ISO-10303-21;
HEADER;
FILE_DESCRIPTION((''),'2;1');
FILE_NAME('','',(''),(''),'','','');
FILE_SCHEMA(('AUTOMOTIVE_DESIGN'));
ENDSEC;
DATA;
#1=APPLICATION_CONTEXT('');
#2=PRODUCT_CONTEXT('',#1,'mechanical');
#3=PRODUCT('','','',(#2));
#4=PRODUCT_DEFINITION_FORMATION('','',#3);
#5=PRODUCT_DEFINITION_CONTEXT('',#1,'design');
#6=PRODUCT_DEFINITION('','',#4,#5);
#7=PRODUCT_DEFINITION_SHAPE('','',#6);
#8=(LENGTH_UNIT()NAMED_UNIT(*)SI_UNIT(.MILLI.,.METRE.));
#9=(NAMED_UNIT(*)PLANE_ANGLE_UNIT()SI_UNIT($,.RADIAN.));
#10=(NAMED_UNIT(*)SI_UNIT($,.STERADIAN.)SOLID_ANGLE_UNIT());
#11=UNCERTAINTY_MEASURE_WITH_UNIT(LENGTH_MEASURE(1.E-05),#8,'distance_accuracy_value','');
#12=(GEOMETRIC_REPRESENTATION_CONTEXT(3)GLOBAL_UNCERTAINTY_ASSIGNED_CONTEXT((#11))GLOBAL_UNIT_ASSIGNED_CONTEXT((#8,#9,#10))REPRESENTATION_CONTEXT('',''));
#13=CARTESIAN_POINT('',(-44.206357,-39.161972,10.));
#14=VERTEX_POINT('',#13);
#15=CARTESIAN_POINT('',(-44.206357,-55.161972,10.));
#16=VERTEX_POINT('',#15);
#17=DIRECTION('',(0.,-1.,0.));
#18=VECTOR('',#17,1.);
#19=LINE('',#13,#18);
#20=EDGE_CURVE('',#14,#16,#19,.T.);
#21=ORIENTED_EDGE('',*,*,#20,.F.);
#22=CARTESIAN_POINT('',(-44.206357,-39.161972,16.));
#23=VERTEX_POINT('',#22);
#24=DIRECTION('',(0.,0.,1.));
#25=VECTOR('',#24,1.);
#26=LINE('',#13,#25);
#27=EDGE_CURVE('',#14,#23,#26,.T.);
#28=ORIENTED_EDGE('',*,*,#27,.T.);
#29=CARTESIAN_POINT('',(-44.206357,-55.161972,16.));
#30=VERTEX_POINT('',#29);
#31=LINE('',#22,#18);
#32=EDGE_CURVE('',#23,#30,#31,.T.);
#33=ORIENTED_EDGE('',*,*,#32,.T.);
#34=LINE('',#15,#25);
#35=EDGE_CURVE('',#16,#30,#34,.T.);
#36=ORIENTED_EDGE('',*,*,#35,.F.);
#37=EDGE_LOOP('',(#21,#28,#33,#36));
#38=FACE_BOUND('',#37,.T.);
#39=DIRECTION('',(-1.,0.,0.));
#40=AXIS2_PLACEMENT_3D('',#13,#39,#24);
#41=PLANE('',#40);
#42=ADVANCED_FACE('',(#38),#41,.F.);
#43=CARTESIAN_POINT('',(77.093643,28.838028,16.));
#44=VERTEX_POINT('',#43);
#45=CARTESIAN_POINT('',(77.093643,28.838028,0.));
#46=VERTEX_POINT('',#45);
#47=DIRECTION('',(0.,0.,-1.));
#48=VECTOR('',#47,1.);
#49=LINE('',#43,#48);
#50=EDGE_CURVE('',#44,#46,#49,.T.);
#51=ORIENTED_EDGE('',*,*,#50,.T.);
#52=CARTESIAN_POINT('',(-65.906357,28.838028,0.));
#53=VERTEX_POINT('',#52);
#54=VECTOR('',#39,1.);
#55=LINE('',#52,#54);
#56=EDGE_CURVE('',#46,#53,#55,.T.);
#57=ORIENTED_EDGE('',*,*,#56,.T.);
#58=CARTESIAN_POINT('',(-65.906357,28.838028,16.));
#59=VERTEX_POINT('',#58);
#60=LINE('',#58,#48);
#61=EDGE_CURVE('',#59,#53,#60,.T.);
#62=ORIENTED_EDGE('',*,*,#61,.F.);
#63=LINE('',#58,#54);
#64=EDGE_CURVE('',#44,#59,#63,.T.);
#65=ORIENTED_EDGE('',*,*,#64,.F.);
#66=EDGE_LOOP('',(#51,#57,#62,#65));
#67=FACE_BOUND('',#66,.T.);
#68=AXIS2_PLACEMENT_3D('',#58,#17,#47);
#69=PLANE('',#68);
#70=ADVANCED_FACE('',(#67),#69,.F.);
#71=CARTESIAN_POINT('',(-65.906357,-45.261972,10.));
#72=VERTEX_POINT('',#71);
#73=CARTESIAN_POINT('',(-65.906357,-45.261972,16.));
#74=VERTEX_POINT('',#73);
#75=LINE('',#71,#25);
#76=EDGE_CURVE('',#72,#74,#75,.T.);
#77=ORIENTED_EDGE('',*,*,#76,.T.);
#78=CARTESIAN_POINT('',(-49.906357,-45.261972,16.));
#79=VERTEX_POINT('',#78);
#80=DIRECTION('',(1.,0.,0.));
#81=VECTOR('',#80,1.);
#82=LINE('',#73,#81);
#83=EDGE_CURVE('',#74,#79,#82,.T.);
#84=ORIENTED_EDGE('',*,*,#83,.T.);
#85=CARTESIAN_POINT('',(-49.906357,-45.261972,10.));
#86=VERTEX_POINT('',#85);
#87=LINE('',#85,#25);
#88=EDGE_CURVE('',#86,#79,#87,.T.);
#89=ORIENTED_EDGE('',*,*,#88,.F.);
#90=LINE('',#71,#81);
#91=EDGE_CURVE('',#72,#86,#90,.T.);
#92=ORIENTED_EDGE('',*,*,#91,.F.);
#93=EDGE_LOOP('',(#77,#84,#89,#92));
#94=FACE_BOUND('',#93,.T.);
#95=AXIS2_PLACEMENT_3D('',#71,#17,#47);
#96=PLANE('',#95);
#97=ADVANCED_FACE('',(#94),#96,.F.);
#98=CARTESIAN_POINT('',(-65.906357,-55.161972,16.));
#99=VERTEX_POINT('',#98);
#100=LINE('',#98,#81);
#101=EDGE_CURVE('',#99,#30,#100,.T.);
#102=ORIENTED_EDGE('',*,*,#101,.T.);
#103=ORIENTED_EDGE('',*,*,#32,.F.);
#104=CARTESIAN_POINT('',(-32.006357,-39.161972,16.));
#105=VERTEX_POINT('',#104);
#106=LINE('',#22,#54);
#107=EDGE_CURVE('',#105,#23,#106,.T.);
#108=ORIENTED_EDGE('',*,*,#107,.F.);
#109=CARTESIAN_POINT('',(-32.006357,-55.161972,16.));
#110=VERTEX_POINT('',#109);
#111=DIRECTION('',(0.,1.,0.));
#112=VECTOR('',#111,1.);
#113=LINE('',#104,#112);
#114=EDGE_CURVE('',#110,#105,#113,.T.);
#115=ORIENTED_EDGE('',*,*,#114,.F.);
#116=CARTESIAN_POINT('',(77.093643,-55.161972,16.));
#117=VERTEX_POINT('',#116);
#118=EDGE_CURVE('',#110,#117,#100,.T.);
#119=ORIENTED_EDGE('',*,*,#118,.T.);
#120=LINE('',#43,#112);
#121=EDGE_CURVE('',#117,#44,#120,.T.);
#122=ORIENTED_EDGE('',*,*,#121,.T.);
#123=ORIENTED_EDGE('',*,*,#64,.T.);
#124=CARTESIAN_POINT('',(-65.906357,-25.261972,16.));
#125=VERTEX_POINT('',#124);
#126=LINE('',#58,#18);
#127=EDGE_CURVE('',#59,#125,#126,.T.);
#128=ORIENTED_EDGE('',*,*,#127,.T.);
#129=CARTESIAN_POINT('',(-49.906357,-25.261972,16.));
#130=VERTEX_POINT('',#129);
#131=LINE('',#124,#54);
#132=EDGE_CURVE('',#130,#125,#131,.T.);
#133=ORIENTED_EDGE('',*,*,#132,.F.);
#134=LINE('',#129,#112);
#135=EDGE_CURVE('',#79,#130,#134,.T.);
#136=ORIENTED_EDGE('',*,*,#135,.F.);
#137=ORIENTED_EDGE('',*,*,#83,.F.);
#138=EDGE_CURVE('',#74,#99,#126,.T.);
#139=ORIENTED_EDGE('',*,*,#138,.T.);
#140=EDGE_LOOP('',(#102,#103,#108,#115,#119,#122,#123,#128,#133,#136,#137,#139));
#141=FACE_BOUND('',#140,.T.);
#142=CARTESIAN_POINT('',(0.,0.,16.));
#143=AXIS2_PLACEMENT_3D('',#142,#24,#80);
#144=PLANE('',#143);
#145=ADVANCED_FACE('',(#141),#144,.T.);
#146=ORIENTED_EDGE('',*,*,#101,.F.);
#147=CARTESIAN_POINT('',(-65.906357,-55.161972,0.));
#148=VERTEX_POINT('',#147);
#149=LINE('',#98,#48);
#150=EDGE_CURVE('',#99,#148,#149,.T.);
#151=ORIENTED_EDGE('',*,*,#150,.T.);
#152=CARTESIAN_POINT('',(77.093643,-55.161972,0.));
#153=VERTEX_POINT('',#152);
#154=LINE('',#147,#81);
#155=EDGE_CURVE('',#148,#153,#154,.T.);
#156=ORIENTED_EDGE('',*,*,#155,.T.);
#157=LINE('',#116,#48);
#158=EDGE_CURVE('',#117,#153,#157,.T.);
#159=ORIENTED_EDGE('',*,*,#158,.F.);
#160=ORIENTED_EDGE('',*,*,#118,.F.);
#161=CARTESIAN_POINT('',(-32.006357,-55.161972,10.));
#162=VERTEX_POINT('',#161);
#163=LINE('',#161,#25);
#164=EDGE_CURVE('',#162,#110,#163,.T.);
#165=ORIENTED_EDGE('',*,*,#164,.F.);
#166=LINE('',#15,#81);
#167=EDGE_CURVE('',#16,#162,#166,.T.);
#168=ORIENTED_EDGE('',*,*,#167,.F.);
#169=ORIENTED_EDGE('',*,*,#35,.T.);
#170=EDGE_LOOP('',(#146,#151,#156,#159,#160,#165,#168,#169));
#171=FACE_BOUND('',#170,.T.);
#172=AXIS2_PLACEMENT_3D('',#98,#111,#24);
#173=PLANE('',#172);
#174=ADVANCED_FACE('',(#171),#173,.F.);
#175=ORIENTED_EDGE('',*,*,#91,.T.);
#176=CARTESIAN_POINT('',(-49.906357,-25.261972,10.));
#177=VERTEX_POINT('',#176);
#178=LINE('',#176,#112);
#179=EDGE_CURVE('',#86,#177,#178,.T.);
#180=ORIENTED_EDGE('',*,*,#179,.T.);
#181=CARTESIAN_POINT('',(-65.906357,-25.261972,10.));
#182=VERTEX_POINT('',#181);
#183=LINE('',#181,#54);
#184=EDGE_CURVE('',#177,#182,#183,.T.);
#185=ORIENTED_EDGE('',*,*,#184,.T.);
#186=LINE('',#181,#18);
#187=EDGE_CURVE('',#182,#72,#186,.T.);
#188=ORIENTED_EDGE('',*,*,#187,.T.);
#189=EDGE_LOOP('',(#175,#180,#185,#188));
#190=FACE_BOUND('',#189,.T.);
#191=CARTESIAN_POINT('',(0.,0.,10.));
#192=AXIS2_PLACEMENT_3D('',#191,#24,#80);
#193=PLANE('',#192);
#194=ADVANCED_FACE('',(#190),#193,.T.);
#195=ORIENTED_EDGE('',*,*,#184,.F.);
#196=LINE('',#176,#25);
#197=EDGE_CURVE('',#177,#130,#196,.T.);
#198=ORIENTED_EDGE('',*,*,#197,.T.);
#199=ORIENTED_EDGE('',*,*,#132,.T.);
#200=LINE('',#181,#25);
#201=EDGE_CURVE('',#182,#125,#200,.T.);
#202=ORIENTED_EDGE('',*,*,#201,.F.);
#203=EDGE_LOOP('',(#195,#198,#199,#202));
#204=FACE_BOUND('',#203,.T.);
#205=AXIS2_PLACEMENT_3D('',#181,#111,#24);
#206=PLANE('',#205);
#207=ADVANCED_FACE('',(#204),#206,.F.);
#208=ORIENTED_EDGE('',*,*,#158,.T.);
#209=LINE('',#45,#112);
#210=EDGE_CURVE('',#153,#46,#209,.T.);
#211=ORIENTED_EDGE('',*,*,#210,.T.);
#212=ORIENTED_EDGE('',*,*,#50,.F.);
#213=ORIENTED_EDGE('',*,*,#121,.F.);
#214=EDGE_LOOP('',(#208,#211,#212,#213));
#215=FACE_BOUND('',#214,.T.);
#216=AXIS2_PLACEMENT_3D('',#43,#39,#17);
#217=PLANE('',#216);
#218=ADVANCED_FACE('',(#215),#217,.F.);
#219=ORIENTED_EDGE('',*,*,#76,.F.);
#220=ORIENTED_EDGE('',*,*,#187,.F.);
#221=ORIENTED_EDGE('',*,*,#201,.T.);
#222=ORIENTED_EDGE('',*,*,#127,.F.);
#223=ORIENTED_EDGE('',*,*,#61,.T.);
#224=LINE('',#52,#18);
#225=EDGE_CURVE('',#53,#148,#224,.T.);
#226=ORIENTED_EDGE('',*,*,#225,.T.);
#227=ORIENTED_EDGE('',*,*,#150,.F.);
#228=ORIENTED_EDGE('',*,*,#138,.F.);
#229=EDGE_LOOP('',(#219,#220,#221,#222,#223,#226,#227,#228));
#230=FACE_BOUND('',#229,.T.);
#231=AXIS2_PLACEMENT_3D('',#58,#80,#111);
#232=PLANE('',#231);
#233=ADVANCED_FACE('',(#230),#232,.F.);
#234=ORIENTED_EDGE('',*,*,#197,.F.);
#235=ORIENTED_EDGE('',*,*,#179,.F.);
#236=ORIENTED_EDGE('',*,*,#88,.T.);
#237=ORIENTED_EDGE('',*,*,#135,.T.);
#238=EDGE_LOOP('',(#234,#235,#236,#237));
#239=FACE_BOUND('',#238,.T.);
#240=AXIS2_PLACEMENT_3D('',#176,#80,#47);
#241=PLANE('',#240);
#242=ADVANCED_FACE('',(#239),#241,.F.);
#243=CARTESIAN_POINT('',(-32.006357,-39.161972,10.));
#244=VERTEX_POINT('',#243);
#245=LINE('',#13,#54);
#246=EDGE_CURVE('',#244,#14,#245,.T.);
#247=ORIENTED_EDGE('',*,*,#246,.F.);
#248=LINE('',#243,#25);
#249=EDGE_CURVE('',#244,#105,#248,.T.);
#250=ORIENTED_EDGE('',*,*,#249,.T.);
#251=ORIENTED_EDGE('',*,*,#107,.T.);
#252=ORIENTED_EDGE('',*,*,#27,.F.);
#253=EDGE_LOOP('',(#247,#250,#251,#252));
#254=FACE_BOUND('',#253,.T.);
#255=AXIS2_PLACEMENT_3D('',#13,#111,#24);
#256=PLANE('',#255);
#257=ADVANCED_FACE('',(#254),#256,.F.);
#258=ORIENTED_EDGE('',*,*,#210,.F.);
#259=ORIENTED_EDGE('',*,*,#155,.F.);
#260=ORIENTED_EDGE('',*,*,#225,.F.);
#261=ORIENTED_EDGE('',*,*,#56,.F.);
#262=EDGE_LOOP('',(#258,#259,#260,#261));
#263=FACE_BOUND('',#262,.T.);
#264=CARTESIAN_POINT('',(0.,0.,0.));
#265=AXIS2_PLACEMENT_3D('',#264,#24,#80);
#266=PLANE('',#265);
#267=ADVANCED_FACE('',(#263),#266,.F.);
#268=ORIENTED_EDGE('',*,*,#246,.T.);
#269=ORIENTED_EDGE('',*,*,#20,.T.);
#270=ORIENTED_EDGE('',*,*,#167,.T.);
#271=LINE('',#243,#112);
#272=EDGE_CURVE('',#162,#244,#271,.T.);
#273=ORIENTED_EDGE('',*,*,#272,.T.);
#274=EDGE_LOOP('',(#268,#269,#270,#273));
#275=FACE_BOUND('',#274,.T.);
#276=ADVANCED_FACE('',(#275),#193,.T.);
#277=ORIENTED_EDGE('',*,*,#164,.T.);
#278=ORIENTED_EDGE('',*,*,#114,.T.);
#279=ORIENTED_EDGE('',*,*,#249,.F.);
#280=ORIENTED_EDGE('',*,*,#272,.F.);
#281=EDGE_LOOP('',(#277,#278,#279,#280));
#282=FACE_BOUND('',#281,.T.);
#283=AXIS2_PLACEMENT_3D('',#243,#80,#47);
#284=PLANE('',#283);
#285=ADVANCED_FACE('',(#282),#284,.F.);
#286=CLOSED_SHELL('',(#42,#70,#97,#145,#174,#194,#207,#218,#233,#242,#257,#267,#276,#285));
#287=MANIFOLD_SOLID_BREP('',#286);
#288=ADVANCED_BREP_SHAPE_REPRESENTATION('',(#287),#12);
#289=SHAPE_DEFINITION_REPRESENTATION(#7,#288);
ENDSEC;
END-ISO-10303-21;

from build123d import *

# Parameters (mm, degrees)
SKETCH_1_W          = 143
SKETCH_1_H          = 84
EXTRUDE_1_DEPTH     = 16
SKETCH_2_W          = 16
SKETCH_2_H          = 20
SKETCH_2_W_2        = 12.2
SKETCH_2_H_2        = 16
CUT_EXTRUDE_1_DEPTH = 6


with BuildPart() as part:
    # 草圖1 → 填料-伸長1 (new body)
    with BuildSketch(Plane.XY):
        with Locations((5.593642939, -13.161971831)):
            Rectangle(SKETCH_1_W, SKETCH_1_H)
    extrude(amount=EXTRUDE_1_DEPTH)

    # 草圖2 → 除料-伸長1 (cut)
    with BuildSketch(Plane.XY.offset(16)):
        with Locations((-57.906357061, -35.261971831)):
            Rectangle(SKETCH_2_W, SKETCH_2_H)
        with Locations((-38.106357061, -47.161971831)):
            Rectangle(SKETCH_2_W_2, SKETCH_2_H_2)
    extrude(amount=-CUT_EXTRUDE_1_DEPTH, mode=Mode.SUBTRACT)


solid = part.part
